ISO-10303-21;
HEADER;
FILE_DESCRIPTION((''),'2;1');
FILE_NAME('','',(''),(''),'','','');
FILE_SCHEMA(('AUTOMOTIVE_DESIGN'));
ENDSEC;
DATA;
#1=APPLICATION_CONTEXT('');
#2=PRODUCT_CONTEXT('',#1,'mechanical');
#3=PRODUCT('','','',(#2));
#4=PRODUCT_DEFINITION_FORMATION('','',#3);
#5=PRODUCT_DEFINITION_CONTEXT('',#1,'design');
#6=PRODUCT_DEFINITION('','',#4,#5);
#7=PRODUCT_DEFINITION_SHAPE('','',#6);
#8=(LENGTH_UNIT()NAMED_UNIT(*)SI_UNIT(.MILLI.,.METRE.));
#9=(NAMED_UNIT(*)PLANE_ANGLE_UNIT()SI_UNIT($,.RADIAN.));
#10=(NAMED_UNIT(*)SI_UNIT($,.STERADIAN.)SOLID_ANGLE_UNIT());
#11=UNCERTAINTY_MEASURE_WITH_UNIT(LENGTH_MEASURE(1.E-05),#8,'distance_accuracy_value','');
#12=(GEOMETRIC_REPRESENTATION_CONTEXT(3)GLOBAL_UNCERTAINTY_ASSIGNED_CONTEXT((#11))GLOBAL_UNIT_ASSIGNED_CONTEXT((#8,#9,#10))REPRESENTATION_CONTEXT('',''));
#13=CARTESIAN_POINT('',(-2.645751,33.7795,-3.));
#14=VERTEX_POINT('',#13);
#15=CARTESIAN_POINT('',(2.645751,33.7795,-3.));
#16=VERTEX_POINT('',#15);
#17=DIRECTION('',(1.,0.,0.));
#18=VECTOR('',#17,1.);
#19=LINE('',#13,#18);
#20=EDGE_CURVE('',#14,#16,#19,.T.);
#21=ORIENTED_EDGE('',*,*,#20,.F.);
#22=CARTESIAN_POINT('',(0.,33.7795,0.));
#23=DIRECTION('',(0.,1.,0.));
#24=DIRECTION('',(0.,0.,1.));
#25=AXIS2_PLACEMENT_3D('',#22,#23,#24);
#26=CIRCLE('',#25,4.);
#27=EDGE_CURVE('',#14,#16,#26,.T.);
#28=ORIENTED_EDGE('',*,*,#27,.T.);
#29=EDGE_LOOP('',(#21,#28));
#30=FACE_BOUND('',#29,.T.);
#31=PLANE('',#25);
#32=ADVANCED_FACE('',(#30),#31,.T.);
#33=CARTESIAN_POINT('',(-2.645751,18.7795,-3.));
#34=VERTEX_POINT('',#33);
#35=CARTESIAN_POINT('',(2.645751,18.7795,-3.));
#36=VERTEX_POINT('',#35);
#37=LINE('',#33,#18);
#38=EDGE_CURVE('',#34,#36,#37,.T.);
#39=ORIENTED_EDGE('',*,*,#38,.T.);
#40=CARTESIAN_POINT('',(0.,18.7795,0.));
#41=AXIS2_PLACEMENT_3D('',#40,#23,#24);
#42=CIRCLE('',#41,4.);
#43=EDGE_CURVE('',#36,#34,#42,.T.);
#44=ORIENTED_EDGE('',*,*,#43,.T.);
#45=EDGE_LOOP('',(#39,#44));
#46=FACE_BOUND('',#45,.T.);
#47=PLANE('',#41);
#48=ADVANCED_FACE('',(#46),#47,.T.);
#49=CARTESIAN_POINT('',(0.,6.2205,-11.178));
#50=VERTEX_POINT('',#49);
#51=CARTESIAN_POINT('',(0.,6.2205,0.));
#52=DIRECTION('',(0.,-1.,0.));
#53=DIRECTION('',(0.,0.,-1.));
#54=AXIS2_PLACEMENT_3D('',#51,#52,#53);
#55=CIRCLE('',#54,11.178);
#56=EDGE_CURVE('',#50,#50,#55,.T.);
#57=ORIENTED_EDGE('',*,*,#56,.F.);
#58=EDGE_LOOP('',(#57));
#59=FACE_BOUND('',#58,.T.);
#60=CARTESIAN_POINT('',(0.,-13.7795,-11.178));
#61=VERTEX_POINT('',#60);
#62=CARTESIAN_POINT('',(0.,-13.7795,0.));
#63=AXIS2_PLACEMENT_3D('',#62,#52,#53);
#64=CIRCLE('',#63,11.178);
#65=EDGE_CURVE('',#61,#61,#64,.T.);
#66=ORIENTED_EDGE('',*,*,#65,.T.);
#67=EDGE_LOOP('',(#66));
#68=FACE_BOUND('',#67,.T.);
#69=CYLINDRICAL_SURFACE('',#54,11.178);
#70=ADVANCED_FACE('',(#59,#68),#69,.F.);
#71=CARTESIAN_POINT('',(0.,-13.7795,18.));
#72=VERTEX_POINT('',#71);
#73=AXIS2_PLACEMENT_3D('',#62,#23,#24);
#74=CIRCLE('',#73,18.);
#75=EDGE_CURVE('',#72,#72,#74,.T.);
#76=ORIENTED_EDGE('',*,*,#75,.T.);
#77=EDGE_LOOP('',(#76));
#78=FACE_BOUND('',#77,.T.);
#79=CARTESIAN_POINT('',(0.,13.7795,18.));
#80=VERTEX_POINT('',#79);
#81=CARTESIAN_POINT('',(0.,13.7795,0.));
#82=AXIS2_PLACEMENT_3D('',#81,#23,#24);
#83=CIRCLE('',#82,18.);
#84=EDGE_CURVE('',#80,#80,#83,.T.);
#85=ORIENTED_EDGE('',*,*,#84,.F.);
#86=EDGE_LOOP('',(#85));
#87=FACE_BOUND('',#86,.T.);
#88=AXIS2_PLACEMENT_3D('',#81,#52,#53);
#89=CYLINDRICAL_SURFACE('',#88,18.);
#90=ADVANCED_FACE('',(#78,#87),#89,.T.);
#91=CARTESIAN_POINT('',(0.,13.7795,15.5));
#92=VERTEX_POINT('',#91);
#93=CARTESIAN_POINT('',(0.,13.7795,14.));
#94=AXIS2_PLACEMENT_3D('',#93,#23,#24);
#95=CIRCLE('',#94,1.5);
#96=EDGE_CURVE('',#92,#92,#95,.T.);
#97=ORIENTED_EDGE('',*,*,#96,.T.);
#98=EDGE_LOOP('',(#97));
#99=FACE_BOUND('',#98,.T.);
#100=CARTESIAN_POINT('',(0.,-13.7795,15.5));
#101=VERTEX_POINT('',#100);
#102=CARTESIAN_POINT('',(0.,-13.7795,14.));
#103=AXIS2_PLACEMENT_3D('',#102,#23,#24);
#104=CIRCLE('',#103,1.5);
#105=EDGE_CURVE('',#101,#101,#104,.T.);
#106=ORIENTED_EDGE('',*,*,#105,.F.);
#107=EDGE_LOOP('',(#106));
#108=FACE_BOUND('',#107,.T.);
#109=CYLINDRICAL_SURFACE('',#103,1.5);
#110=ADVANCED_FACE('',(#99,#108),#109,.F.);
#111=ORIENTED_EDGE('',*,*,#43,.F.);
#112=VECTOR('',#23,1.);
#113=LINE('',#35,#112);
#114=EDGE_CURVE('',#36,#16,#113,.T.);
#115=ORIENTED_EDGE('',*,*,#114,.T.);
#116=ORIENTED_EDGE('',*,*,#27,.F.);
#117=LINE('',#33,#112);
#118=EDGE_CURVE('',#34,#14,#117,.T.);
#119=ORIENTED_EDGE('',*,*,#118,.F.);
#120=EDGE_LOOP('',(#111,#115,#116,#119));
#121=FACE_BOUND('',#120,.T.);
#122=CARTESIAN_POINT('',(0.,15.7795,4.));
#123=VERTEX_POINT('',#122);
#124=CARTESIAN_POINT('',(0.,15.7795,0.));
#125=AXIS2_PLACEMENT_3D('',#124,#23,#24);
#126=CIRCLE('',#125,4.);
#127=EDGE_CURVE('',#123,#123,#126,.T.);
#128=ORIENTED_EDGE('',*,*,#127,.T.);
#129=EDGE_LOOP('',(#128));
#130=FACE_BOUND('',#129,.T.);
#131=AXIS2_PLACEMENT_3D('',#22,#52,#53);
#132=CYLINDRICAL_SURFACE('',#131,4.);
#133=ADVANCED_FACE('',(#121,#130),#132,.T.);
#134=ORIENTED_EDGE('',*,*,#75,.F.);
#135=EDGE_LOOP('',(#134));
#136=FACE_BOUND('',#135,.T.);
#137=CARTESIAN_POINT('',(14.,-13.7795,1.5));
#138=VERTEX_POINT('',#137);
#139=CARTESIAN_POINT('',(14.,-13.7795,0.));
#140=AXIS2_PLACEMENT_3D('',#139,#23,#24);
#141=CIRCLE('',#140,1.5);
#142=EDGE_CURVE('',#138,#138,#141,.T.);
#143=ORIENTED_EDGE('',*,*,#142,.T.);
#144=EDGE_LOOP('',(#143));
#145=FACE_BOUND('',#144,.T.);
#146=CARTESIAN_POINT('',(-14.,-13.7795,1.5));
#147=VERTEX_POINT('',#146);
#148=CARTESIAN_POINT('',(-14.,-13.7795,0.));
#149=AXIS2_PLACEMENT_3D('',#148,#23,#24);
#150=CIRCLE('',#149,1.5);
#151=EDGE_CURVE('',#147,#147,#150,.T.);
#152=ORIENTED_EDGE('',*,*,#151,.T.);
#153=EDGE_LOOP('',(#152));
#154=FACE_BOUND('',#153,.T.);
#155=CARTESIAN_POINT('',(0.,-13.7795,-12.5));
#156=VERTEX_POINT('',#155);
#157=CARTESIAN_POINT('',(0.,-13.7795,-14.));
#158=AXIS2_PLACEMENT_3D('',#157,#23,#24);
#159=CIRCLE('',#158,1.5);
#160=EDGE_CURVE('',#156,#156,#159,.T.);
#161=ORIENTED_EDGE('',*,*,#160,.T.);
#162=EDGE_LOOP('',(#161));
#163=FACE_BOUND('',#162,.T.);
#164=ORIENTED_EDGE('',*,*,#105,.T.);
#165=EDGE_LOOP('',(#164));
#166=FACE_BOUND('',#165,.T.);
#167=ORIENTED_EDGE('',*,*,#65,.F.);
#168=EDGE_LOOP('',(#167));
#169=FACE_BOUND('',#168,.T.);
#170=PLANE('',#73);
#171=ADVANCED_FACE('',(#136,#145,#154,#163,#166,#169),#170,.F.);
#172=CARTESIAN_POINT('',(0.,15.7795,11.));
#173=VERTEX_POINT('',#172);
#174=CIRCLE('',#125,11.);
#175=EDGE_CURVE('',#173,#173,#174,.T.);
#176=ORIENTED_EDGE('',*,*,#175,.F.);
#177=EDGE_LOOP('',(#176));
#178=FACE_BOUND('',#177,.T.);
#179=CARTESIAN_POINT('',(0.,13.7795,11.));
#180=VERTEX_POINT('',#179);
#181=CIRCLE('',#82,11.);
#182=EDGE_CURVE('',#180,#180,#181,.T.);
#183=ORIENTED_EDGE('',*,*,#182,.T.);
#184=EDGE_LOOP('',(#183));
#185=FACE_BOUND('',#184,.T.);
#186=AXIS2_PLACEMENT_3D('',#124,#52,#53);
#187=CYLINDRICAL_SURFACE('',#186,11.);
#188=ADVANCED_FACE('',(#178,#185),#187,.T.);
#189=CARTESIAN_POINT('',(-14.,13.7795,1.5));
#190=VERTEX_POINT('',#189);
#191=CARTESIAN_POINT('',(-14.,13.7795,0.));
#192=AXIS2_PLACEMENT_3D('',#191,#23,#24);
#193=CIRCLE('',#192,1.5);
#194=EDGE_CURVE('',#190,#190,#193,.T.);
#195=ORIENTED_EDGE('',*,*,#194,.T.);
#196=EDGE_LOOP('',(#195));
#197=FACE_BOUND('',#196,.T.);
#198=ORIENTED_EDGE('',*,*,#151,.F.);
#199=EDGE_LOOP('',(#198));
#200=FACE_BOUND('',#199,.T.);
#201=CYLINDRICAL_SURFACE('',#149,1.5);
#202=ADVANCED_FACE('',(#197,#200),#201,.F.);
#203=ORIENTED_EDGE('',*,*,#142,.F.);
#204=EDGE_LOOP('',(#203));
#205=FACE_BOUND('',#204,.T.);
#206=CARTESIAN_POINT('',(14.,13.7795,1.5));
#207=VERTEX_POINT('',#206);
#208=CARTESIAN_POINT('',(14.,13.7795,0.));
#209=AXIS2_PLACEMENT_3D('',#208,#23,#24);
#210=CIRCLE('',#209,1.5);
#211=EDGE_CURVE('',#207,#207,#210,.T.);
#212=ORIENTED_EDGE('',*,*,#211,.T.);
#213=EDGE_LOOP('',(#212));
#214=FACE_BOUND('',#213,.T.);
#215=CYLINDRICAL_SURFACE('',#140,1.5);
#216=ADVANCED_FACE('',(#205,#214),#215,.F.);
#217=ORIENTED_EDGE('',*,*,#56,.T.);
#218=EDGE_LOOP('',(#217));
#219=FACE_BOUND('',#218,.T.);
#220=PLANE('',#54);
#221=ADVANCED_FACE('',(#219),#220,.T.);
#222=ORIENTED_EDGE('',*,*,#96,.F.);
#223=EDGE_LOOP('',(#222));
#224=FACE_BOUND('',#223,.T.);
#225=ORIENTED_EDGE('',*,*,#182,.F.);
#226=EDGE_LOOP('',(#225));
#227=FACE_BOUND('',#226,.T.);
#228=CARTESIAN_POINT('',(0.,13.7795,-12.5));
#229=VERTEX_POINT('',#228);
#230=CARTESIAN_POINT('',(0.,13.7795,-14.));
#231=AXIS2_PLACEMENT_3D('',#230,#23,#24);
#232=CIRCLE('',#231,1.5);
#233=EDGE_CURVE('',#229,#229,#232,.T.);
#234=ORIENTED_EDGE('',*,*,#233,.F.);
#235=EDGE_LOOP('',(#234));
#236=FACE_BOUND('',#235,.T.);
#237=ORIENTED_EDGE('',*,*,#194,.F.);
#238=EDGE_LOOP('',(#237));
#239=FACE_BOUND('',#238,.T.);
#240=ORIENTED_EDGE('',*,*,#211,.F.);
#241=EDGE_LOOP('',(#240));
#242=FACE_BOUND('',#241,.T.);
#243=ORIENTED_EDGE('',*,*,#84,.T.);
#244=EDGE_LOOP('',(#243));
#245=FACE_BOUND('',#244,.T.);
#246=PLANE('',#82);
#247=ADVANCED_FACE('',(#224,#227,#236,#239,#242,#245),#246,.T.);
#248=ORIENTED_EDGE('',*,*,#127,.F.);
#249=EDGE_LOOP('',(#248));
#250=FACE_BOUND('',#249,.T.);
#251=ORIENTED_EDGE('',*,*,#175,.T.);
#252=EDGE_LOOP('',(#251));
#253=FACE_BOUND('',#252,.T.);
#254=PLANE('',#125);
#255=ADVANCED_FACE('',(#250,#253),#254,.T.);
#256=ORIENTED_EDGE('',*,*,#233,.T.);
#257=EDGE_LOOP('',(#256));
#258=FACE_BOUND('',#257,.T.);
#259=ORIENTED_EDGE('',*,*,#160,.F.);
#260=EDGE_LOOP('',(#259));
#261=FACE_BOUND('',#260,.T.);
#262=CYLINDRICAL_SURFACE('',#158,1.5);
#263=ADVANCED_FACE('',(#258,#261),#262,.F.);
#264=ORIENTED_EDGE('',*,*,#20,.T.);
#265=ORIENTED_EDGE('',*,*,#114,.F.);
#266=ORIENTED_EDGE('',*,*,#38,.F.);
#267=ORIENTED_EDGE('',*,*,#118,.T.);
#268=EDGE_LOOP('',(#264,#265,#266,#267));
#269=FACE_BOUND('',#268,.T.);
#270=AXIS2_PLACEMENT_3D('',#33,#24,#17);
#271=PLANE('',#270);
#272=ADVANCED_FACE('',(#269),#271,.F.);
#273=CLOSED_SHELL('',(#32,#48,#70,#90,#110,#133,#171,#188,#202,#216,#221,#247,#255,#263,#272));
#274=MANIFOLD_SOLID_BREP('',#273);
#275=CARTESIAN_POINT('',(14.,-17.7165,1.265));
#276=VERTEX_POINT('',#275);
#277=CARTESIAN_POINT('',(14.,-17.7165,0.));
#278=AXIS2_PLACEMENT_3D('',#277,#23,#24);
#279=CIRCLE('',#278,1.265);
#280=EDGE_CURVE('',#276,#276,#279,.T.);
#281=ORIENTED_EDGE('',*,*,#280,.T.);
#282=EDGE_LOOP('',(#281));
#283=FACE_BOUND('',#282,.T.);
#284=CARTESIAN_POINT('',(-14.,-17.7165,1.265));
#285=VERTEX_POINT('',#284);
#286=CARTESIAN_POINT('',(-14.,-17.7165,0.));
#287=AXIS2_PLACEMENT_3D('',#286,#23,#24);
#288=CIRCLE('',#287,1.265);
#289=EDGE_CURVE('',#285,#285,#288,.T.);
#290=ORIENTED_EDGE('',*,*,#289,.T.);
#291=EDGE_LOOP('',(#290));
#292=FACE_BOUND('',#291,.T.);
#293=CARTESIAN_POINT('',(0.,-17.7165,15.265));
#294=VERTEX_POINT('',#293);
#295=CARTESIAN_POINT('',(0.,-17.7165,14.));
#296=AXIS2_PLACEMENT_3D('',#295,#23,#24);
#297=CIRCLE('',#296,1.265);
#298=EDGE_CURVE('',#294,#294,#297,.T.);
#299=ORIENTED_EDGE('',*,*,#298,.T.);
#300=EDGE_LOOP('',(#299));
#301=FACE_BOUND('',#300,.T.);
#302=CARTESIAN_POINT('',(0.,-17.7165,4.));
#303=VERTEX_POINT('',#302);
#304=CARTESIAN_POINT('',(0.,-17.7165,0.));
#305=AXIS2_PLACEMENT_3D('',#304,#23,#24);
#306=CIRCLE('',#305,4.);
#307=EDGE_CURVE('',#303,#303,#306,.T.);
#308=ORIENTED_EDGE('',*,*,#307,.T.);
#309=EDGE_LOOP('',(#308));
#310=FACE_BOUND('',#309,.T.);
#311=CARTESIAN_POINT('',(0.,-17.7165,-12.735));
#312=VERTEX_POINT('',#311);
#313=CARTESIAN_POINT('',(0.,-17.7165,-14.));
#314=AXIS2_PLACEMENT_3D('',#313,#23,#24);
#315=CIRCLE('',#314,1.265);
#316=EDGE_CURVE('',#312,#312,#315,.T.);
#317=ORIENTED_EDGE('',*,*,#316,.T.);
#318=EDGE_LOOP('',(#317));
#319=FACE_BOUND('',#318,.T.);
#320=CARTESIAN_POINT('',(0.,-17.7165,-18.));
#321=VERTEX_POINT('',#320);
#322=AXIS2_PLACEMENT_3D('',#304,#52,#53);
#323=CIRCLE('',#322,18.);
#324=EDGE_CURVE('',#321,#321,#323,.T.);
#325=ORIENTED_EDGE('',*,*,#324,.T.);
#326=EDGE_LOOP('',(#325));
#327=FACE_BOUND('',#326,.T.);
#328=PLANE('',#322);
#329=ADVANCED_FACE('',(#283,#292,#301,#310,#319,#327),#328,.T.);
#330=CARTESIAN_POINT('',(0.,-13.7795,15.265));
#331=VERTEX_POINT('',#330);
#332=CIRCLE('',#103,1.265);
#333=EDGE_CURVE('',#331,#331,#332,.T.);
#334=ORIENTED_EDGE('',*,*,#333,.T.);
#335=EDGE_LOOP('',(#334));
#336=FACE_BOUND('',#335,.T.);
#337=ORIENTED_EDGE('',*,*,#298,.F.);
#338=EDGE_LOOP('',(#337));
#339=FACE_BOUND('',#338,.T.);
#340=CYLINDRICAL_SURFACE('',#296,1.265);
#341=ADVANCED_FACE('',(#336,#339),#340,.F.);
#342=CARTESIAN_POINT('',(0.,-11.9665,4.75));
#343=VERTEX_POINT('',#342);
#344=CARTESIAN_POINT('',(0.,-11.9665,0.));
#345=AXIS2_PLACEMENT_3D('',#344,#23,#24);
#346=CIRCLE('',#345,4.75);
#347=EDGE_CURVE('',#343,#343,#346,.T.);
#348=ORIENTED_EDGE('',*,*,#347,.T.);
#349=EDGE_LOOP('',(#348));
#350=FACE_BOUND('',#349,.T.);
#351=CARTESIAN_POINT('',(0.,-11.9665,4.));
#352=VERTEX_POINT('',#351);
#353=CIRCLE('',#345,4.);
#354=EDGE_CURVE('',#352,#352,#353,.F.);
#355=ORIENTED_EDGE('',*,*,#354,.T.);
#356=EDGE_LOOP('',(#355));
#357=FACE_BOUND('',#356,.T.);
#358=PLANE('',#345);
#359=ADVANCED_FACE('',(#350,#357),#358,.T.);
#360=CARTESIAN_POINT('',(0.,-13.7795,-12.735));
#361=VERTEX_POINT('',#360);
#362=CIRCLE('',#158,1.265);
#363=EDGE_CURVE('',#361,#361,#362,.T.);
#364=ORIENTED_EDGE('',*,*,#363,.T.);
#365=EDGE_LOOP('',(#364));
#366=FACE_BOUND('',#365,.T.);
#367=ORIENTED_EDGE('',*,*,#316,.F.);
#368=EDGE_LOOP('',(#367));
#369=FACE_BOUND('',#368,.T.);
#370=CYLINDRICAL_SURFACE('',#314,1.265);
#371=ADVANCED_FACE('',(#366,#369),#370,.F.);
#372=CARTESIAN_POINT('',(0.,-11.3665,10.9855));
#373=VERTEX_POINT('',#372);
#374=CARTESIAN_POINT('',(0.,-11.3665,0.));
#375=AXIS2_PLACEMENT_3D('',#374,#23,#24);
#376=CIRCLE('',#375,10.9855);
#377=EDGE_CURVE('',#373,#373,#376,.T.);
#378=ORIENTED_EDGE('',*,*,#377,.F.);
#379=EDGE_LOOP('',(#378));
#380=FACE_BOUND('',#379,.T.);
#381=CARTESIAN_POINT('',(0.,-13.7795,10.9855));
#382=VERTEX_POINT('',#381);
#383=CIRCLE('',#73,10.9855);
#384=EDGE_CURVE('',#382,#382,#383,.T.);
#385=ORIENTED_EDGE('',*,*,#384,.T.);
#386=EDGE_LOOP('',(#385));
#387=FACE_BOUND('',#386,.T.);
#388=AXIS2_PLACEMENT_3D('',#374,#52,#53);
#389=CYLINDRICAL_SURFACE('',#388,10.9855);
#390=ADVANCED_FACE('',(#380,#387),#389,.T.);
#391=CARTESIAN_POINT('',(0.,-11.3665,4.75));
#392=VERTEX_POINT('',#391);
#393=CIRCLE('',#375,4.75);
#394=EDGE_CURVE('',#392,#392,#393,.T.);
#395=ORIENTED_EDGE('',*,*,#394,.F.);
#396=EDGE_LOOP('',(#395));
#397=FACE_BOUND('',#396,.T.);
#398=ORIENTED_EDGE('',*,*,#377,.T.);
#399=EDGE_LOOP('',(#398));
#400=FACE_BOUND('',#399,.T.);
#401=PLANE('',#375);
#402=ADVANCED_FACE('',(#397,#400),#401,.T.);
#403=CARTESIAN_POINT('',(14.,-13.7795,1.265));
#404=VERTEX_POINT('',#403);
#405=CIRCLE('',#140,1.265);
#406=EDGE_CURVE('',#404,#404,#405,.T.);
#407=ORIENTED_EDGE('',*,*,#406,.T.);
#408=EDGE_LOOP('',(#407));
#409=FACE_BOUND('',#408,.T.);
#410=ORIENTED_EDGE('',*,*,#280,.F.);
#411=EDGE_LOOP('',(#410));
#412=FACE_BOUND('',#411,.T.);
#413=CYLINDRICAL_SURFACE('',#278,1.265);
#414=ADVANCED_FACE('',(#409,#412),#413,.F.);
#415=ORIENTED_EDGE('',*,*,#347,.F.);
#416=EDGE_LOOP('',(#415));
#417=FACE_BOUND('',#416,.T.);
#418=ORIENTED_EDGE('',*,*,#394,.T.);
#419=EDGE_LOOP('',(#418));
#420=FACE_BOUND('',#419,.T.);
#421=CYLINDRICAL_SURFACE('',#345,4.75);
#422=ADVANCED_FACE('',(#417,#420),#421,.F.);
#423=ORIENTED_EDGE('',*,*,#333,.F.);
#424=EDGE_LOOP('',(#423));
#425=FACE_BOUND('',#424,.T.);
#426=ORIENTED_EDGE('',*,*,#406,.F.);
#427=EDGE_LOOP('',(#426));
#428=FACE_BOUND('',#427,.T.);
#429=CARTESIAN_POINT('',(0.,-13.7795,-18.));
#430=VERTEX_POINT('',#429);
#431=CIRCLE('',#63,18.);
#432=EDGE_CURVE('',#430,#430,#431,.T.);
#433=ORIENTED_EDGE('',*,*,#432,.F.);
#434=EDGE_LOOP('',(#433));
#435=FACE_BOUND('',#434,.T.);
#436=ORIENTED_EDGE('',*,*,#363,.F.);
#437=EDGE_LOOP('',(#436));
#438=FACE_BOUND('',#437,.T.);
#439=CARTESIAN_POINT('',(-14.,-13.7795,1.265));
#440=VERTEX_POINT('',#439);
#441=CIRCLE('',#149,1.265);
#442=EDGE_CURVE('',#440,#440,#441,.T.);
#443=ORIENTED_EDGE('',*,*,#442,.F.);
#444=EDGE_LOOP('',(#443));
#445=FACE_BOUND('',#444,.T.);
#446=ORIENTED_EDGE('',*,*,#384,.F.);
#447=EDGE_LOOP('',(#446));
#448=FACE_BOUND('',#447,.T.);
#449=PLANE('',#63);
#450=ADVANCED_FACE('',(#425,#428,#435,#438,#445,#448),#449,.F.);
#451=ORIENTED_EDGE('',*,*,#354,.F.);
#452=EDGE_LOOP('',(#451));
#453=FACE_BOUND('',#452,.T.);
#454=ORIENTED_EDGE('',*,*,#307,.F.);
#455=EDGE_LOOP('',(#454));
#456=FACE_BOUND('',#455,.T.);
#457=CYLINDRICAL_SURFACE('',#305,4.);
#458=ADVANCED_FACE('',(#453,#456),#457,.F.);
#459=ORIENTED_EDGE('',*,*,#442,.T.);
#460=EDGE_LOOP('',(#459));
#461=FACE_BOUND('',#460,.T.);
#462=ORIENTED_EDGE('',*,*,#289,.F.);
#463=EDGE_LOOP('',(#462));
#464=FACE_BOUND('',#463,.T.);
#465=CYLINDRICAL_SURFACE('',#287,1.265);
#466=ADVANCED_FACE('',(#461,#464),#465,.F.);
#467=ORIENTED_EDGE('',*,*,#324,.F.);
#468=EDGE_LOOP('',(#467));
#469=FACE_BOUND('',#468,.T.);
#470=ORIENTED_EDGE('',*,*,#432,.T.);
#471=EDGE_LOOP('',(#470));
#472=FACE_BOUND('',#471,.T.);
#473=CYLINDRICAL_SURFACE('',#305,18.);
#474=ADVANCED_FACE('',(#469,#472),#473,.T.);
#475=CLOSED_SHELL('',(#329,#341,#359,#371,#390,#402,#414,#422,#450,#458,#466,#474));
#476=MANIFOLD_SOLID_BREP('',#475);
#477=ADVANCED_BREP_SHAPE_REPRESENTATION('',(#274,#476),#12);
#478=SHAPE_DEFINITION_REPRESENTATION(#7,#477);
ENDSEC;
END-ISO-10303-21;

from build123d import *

# Parameters (mm, degrees)
SKETCH1_R           = 18
BOSS_EXTRUDE1_DEPTH = 13.7795
SKETCH2_R           = 11
BOSS_EXTRUDE2_DEPTH = 2
SKETCH3_R           = 4
BOSS_EXTRUDE4_DEPTH = 18
CUT_EXTRUDE1_START  = -15
CUT_EXTRUDE1_DEPTH  = 15
SKETCH5_R           = 1.5
CUT_EXTRUDE2_DEPTH  = 38.51664272
SKETCH6_R           = 11.178
CUT_EXTRUDE3_DEPTH  = 20
SKETCH7_R           = 18
BOSS_EXTRUDE5_DEPTH = 3.937
SKETCH8_R           = 10.9855
BOSS_EXTRUDE6_DEPTH = 2.413
SKETCH9_R           = 1.265
CUT_EXTRUDE4_DEPTH  = 54.94310411
SKETCH10_R          = 4
CUT_EXTRUDE5_DEPTH  = 52.82819036
SKETCH11_R          = 4.75
CUT_EXTRUDE6_DEPTH  = 0.6


with BuildPart() as part:
    # Sketch1 → Boss-Extrude1 (new, symmetric)
    with BuildSketch(Plane(origin=(0, 0, 0), x_dir=(1, 0, 0), z_dir=(0, 1, 0))):
        with Locations(Location((0, 0, 0), (0, 0, 270))):
            Circle(SKETCH1_R)
    extrude(amount=BOSS_EXTRUDE1_DEPTH, both=True)

    # Sketch2 → Boss-Extrude2 (add)
    with BuildSketch(Plane(origin=(0, 13.7795, 0), x_dir=(1, 0, 0), z_dir=(0, 1, 0))):
        with Locations(Location((0, 0, 0), (0, 0, 270))):
            Circle(SKETCH2_R)
    extrude(amount=BOSS_EXTRUDE2_DEPTH)

    # Sketch3 → Boss-Extrude4 (add)
    with BuildSketch(Plane(origin=(0, 15.7795, 0), x_dir=(1, 0, 0), z_dir=(0, 1, 0))):
        with Locations(Location((0, 0, 0), (0, 0, 270))):
            Circle(SKETCH3_R)
    extrude(amount=BOSS_EXTRUDE4_DEPTH)

    # Sketch4 → Cut-Extrude1 (cut)
    with BuildSketch(Plane(origin=(0, 33.7795, 0), x_dir=(1, 0, 0), z_dir=(0, 1, 0)).offset(CUT_EXTRUDE1_START)):
        with BuildLine():
            Line((-2.645751311, 3), (2.645751311, 3))
            ThreePointArc((2.645751311, 3), (0, 4), (-2.645751311, 3))
        make_face()
    extrude(amount=CUT_EXTRUDE1_DEPTH, mode=Mode.SUBTRACT)

    # Sketch5 → Cut-Extrude2 (cut, through all)
    with BuildSketch(Plane(origin=(0, 13.7795, 0), x_dir=(1, 0, 0), z_dir=(0, 1, 0))):
        with Locations(Location((0, 14, 0), (0, 0, 270))):
            Circle(SKETCH5_R)
        with Locations(Location((-14, 0, 0), (0, 0, 270))):
            Circle(SKETCH5_R)
        with Locations(Location((0, -14, 0), (0, 0, 270))):
            Circle(SKETCH5_R)
        with Locations(Location((14, 0, 0), (0, 0, 270))):
            Circle(SKETCH5_R)
    extrude(amount=-CUT_EXTRUDE2_DEPTH, mode=Mode.SUBTRACT)

    # Sketch6 → Cut-Extrude3 (cut)
    with BuildSketch(Plane.XZ.offset(13.7795)):
        with Locations(Location((0, 0, 0), (0, 0, 270))):
            Circle(SKETCH6_R)
    extrude(amount=-CUT_EXTRUDE3_DEPTH, mode=Mode.SUBTRACT)


with BuildPart() as body_2:
    # Sketch7 → Boss-Extrude5 (new body)
    with BuildSketch(Plane.XZ.offset(13.7795)):
        with Locations(Location((0, 0, 0), (0, 0, 270))):
            Circle(SKETCH7_R)
    extrude(amount=BOSS_EXTRUDE5_DEPTH)

    # Sketch8 → Boss-Extrude6 (add)
    with BuildSketch(Plane(origin=(0, -13.7795, 0), x_dir=(1, 0, 0), z_dir=(0, 1, 0))):
        with Locations(Location((0, 0, 0), (0, 0, 270))):
            Circle(SKETCH8_R)
    extrude(amount=BOSS_EXTRUDE6_DEPTH)

    # Sketch9 → Cut-Extrude4 (cut, through all)
    with BuildSketch(Plane(origin=(0, -13.7795, 0), x_dir=(1, 0, 0), z_dir=(0, 1, 0))):
        with Locations(Location((0, 14, 0), (0, 0, 270))):
            Circle(SKETCH9_R)
        with Locations(Location((14, 0, 0), (0, 0, 270))):
            Circle(SKETCH9_R)
        with Locations(Location((0, -14, 0), (0, 0, 270))):
            Circle(SKETCH9_R)
        with Locations(Location((-14, 0, 0), (0, 0, 270))):
            Circle(SKETCH9_R)
    extrude(amount=-CUT_EXTRUDE4_DEPTH, mode=Mode.SUBTRACT)

    # Sketch10 → Cut-Extrude5 (cut, through all)
    with BuildSketch(Plane(origin=(0, -11.3665, 0), x_dir=(1, 0, 0), z_dir=(0, 1, 0))):
        with Locations(Location((0, 0, 0), (0, 0, 270))):
            Circle(SKETCH10_R)
    extrude(amount=-CUT_EXTRUDE5_DEPTH, mode=Mode.SUBTRACT)

    # Sketch11 → Cut-Extrude6 (cut)
    with BuildSketch(Plane(origin=(0, -11.3665, 0), x_dir=(1, 0, 0), z_dir=(0, 1, 0))):
        with Locations(Location((0, 0, 0), (0, 0, 270))):
            Circle(SKETCH11_R)
    extrude(amount=-CUT_EXTRUDE6_DEPTH, mode=Mode.SUBTRACT)


solid = Compound([part.part, body_2.part])
